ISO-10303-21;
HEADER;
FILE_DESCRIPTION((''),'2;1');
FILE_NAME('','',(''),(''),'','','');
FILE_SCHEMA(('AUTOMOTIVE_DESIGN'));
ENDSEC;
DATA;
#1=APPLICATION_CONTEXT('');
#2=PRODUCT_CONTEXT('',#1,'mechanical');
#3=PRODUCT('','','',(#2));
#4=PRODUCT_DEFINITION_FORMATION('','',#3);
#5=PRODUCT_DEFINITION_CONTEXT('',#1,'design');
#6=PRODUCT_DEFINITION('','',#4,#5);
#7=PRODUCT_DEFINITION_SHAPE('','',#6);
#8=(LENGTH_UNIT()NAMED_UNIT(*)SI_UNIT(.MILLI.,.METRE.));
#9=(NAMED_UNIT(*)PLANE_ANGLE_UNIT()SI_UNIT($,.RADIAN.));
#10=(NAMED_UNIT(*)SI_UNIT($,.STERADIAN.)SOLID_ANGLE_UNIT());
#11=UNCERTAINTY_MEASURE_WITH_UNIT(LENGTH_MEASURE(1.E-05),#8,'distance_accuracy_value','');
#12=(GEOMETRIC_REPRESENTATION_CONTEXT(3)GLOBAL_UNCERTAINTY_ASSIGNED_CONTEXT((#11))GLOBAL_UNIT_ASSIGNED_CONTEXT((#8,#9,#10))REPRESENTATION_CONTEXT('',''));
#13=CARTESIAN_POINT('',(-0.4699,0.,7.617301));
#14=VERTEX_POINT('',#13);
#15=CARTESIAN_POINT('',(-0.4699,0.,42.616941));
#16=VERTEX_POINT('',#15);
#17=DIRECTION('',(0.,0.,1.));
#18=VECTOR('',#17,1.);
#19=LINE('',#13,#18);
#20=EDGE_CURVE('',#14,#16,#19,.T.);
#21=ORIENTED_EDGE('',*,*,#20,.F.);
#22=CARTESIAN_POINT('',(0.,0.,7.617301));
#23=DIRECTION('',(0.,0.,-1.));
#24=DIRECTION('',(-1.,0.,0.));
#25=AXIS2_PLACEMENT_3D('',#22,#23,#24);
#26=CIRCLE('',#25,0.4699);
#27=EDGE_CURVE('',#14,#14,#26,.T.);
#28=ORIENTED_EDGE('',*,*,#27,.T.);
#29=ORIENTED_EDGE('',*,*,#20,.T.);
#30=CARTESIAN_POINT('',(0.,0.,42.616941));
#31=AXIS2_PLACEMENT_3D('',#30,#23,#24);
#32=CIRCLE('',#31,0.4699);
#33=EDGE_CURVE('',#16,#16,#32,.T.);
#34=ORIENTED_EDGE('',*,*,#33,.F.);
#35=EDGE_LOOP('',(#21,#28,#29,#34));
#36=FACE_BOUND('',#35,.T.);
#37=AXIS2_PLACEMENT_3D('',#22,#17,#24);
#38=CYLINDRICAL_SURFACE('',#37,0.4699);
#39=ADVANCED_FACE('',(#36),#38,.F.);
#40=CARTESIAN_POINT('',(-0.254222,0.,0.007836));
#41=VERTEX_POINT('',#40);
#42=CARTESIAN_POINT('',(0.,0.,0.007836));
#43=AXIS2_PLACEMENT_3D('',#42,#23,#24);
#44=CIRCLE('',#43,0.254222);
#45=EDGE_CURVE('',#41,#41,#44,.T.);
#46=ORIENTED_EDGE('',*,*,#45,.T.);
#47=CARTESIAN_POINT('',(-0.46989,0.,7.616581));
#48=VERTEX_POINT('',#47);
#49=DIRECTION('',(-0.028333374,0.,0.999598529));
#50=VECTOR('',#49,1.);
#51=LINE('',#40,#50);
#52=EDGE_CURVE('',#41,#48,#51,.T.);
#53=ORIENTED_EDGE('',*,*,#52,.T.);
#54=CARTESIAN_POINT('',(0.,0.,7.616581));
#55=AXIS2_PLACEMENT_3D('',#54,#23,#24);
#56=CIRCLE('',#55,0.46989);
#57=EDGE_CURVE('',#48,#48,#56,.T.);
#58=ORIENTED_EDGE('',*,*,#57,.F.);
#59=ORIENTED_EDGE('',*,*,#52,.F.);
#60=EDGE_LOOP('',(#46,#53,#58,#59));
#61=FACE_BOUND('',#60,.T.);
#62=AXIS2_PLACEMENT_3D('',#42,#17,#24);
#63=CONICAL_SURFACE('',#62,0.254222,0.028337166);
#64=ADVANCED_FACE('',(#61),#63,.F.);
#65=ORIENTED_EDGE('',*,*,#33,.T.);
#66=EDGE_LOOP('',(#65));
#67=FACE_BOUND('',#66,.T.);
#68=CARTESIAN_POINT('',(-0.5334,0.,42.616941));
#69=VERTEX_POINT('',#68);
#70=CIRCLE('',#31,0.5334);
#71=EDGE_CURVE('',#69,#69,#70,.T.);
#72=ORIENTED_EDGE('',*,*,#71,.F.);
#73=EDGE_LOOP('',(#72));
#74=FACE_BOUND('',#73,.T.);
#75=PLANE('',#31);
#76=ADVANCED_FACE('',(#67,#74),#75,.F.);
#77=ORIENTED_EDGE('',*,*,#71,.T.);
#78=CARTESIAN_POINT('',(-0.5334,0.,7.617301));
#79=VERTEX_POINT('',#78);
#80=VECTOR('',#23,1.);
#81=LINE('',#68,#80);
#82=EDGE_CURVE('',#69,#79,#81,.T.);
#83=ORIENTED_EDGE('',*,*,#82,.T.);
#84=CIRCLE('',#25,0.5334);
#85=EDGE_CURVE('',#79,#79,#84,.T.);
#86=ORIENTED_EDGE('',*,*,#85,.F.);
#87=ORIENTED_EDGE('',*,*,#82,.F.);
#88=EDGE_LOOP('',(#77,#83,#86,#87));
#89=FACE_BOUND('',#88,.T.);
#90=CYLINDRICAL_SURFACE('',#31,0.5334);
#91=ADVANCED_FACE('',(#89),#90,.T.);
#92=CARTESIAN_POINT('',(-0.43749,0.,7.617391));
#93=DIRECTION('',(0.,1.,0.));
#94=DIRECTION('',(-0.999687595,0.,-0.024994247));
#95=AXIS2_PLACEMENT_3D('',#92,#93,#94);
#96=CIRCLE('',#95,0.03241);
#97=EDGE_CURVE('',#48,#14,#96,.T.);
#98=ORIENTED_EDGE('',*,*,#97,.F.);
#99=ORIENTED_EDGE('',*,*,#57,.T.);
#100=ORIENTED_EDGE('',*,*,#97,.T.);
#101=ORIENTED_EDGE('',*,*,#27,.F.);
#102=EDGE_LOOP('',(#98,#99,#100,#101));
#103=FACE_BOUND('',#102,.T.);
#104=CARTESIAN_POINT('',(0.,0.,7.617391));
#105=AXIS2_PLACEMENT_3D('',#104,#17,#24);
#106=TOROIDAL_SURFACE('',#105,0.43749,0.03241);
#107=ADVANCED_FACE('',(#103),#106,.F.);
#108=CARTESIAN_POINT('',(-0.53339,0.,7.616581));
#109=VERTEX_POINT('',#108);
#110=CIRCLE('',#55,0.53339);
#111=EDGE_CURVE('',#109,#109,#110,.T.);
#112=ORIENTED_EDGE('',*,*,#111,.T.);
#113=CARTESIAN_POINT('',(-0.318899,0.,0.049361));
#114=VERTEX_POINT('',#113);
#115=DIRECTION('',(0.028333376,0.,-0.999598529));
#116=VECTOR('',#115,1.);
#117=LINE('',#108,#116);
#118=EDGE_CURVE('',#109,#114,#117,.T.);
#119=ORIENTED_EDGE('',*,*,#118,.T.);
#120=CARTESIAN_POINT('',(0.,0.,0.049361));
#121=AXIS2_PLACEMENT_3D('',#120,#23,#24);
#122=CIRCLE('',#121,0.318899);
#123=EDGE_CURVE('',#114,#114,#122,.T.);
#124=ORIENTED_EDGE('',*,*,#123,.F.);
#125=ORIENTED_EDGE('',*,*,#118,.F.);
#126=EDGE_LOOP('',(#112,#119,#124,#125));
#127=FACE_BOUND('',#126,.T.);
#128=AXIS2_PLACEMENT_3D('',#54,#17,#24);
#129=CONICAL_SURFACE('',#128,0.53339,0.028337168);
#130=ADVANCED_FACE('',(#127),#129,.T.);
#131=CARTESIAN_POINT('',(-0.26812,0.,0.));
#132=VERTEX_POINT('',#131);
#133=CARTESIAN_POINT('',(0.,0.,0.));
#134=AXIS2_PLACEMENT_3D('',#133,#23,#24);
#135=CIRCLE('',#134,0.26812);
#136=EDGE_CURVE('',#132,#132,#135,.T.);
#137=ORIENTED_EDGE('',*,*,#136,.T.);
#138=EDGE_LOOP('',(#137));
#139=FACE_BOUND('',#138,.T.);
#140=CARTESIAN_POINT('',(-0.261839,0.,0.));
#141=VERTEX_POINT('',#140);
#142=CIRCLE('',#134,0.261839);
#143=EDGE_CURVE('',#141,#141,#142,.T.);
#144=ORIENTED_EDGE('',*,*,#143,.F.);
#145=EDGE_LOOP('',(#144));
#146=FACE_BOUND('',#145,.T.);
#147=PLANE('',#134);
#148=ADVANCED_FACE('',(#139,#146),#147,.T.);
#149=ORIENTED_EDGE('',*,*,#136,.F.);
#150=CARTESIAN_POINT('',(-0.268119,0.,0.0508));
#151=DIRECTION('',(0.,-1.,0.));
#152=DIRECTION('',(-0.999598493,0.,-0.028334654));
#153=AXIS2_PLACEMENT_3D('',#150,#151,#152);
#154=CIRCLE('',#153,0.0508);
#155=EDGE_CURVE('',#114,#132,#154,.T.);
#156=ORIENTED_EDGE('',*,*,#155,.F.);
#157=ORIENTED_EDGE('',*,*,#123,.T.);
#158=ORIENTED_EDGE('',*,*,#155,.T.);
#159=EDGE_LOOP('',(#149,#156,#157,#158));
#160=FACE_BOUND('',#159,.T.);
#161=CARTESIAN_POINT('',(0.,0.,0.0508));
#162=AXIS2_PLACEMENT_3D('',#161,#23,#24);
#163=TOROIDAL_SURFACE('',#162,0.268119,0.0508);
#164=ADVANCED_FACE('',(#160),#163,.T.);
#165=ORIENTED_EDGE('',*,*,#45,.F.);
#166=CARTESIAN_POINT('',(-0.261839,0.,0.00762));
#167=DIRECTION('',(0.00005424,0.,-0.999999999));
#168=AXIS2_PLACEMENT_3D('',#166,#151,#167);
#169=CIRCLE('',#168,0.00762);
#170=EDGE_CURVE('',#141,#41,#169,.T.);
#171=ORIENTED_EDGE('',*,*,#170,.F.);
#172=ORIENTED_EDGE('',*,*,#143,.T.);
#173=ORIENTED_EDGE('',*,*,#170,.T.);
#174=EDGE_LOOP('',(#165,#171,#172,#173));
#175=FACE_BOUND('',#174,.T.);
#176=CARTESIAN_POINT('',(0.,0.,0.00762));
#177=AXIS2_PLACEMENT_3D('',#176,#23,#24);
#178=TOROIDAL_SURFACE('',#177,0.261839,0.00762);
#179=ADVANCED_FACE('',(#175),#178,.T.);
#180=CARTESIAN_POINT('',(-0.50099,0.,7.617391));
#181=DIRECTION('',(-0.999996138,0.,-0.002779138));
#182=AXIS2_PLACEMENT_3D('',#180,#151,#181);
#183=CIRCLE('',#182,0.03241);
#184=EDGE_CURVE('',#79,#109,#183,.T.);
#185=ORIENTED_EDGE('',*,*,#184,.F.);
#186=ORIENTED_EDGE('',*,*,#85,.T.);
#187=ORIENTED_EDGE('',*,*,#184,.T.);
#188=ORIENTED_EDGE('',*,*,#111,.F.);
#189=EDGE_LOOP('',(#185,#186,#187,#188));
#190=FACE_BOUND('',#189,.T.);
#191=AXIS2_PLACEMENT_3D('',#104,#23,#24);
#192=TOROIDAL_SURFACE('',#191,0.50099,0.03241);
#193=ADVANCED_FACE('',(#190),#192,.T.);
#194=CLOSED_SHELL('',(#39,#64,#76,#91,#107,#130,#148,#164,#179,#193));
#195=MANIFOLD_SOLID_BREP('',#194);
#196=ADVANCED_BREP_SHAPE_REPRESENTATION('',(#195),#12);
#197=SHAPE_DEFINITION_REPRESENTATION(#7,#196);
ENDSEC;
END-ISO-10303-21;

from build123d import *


with BuildPart() as f1:
    # F0 (on Front) → F1 (revolve)
    with BuildSketch(Plane.XZ):
        with BuildLine():
            ThreePointArc((-0.261839, 0), (-0.256375, 0.002309), (-0.254222, 0.007836))
            Line((-0.254222, 0.007836), (-0.46989, 7.616581))
            ThreePointArc((-0.46989, 7.616581), (-0.469897, 7.616941), (-0.4699, 7.617301))
            Line((-0.4699, 7.617301), (-0.4699, 42.616941))
            Line((-0.4699, 42.616941), (-0.5334, 42.616941))
            Line((-0.5334, 42.616941), (-0.5334, 7.617301))
            ThreePointArc((-0.5334, 7.617301), (-0.533397, 7.616941), (-0.53339, 7.616581))
            Line((-0.53339, 7.616581), (-0.318899, 0.049361))
            ThreePointArc((-0.318899, 0.049361), (-0.303528, 0.014374), (-0.26812, 0))
            Line((-0.26812, 0), (-0.261839, 0))
        make_face()
    revolve(axis=Axis((0, 0, 0.468671), (0, 0, -1)))


solid = f1.part
